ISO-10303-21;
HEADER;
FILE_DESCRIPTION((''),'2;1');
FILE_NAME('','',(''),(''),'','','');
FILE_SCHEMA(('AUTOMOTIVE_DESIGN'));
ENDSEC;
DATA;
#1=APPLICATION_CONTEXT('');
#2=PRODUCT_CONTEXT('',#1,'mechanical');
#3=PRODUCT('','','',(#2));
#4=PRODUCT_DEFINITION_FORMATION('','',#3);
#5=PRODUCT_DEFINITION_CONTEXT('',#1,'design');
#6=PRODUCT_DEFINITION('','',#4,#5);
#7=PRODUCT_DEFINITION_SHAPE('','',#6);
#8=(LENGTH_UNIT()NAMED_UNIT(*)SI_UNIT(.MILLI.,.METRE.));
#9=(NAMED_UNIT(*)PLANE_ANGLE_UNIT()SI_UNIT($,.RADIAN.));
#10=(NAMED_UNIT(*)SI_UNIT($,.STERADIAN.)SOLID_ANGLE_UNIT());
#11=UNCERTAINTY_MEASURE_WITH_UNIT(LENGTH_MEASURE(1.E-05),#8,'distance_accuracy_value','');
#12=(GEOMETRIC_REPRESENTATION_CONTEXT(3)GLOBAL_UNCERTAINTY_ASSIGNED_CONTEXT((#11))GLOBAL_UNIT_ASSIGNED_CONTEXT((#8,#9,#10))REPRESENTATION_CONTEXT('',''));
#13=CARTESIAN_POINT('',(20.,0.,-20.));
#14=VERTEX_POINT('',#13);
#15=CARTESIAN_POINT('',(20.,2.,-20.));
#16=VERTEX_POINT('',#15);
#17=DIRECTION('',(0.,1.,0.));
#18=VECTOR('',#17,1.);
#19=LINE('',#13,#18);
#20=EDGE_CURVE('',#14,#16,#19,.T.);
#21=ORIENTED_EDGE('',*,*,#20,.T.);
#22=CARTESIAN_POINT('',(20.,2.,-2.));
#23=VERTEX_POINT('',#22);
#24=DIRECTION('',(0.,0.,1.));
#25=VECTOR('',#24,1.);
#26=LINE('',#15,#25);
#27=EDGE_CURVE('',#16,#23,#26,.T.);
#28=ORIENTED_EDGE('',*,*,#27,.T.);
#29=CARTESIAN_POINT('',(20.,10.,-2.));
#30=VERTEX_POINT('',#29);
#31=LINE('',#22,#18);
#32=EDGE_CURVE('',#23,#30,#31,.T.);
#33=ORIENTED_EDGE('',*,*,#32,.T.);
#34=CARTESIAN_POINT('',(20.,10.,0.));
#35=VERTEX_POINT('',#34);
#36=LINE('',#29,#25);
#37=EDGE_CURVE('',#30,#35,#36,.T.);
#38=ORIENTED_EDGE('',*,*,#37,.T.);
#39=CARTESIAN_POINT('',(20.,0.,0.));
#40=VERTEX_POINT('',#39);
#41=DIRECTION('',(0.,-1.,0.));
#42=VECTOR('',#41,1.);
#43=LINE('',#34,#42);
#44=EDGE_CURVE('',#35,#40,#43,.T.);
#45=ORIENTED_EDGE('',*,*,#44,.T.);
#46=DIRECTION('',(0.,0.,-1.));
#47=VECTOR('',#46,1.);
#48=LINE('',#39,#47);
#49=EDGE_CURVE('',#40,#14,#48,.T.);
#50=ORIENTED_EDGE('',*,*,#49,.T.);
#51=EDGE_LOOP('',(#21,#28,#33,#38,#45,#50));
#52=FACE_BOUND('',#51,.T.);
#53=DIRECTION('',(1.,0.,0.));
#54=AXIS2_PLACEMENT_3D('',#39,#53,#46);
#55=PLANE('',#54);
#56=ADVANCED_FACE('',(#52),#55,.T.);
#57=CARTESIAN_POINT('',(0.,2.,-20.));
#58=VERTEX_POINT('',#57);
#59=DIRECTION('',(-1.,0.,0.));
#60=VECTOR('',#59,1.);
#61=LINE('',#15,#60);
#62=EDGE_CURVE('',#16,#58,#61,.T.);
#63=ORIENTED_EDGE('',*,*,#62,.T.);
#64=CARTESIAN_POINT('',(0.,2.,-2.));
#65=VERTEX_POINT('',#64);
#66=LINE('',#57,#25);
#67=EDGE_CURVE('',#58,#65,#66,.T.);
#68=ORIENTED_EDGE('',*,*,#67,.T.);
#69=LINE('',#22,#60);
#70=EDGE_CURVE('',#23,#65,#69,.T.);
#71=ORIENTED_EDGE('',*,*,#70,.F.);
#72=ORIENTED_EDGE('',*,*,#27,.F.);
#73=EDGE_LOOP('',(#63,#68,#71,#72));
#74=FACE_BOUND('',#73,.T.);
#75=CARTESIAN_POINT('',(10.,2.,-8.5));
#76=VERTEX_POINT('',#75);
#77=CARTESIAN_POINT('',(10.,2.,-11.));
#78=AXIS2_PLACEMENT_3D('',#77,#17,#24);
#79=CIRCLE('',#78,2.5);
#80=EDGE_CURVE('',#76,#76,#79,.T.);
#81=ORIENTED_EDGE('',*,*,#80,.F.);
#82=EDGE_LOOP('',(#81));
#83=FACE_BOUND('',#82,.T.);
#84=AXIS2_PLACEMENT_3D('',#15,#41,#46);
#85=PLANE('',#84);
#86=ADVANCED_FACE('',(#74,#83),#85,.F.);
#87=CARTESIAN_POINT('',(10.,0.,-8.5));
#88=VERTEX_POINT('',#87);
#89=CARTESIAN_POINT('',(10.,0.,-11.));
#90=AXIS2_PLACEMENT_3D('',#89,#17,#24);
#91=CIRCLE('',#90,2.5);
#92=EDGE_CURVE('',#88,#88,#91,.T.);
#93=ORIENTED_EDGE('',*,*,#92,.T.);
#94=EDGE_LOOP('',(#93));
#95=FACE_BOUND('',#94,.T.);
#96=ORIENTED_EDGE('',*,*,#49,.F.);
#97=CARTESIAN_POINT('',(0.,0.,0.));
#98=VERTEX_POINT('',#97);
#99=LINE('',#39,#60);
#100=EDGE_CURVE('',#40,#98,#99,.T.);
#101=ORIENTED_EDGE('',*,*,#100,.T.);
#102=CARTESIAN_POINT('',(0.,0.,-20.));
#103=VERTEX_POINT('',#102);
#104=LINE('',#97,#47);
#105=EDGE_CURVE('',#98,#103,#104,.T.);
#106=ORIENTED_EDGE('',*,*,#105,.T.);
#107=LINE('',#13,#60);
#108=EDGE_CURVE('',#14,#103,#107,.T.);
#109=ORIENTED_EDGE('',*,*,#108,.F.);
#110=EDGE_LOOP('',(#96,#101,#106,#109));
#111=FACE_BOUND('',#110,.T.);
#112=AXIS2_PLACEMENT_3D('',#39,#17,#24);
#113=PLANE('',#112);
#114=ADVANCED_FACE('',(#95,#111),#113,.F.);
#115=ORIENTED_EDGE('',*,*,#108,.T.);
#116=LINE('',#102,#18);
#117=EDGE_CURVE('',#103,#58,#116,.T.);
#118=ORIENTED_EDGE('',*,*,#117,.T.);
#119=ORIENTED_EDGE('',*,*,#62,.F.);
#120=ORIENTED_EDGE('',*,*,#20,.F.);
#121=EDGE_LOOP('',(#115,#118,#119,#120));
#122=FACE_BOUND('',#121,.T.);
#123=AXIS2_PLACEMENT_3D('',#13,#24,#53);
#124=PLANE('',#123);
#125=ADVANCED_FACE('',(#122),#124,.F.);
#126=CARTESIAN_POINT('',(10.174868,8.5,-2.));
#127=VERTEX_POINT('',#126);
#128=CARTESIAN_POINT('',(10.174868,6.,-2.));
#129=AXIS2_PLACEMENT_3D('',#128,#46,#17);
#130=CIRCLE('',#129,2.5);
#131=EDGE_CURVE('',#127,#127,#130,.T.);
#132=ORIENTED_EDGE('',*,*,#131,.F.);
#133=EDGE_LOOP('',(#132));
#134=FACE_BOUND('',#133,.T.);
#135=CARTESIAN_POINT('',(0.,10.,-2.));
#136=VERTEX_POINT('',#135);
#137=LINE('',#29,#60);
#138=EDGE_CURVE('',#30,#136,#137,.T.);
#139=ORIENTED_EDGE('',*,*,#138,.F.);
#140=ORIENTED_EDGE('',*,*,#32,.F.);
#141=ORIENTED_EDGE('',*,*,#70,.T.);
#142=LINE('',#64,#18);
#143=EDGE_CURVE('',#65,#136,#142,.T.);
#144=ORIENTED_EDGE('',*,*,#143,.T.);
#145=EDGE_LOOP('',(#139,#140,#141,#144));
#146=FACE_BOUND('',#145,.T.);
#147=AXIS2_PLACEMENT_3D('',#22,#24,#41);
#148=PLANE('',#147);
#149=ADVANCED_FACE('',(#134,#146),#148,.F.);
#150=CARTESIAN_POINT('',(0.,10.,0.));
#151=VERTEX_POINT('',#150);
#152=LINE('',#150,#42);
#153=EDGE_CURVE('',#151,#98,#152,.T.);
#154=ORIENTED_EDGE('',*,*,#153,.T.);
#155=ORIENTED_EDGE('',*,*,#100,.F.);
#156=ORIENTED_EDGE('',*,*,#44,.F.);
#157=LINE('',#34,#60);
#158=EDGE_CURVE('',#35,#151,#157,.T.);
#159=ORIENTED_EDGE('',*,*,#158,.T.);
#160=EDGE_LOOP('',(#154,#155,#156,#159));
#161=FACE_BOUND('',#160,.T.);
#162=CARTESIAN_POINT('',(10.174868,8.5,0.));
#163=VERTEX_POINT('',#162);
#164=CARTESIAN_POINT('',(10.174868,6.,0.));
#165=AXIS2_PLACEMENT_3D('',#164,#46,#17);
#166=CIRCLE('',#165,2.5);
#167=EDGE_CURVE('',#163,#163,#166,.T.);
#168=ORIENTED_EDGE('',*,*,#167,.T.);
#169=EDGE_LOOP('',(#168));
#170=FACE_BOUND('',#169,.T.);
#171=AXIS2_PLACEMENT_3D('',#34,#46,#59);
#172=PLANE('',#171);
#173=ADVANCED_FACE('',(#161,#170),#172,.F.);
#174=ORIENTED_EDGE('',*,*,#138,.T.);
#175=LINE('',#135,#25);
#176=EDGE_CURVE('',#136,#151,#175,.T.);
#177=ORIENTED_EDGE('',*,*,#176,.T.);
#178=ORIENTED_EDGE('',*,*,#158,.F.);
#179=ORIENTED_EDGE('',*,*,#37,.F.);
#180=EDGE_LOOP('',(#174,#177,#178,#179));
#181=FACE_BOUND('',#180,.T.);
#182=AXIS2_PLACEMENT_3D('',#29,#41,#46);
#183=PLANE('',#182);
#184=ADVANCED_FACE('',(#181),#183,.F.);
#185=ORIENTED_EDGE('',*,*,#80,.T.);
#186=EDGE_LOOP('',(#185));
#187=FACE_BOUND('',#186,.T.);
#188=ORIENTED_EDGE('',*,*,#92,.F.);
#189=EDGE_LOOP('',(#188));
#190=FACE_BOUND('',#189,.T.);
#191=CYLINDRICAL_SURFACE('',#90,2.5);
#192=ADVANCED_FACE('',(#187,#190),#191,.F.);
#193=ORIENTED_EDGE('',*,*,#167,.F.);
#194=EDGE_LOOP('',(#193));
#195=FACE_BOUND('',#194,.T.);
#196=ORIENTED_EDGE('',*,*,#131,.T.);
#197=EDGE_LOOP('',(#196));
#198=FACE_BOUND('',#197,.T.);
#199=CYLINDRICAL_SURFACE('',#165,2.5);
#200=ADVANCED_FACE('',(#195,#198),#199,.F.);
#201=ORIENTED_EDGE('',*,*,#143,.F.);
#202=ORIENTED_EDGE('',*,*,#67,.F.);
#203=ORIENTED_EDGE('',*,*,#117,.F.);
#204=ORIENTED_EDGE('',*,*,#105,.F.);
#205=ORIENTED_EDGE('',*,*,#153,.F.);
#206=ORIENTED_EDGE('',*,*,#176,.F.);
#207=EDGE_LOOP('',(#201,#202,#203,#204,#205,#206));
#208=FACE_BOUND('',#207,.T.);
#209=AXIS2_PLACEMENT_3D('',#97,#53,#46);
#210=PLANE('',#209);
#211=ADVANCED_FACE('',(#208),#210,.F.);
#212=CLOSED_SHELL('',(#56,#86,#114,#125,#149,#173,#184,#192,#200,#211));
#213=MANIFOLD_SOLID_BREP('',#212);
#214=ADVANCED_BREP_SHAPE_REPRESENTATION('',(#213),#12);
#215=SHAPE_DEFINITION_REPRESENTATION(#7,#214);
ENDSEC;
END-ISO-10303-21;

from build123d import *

# Parameters (mm, degrees)
BOSS_EXTRUDE1_DEPTH = 20
SKETCH2_R           = 2.5
CUT_EXTRUDE1_DEPTH  = 2
SKETCH3_R           = 2.5
CUT_EXTRUDE2_DEPTH  = 2


with BuildPart() as part:
    # Sketch1 → Boss-Extrude1 (new body)
    with BuildSketch(Plane(origin=(0, 0, 0), x_dir=(0, 0, -1), z_dir=(1, 0, 0))):
        Polygon((0, 10), (0, 0), (20, 0), (20, 2), (2, 2), (2, 10), align=None)
    extrude(amount=BOSS_EXTRUDE1_DEPTH)

    # Sketch2 → Cut-Extrude1 (cut)
    with BuildSketch(Plane(origin=(0, 0, -2), x_dir=(-1, 0, 0), z_dir=(0, 0, -1))):
        with Locations(Location((-10.174868447, 6, 0), (0, 0, 90))):
            Circle(SKETCH2_R)
    extrude(amount=-CUT_EXTRUDE1_DEPTH, mode=Mode.SUBTRACT)

    # Sketch3 → Cut-Extrude2 (cut)
    with BuildSketch(Plane(origin=(0, 2, 0), x_dir=(1, 0, 0), z_dir=(0, 1, 0))):
        with Locations(Location((10, 11, 0), (0, 0, 270))):
            Circle(SKETCH3_R)
    extrude(amount=-CUT_EXTRUDE2_DEPTH, mode=Mode.SUBTRACT)


solid = part.part
